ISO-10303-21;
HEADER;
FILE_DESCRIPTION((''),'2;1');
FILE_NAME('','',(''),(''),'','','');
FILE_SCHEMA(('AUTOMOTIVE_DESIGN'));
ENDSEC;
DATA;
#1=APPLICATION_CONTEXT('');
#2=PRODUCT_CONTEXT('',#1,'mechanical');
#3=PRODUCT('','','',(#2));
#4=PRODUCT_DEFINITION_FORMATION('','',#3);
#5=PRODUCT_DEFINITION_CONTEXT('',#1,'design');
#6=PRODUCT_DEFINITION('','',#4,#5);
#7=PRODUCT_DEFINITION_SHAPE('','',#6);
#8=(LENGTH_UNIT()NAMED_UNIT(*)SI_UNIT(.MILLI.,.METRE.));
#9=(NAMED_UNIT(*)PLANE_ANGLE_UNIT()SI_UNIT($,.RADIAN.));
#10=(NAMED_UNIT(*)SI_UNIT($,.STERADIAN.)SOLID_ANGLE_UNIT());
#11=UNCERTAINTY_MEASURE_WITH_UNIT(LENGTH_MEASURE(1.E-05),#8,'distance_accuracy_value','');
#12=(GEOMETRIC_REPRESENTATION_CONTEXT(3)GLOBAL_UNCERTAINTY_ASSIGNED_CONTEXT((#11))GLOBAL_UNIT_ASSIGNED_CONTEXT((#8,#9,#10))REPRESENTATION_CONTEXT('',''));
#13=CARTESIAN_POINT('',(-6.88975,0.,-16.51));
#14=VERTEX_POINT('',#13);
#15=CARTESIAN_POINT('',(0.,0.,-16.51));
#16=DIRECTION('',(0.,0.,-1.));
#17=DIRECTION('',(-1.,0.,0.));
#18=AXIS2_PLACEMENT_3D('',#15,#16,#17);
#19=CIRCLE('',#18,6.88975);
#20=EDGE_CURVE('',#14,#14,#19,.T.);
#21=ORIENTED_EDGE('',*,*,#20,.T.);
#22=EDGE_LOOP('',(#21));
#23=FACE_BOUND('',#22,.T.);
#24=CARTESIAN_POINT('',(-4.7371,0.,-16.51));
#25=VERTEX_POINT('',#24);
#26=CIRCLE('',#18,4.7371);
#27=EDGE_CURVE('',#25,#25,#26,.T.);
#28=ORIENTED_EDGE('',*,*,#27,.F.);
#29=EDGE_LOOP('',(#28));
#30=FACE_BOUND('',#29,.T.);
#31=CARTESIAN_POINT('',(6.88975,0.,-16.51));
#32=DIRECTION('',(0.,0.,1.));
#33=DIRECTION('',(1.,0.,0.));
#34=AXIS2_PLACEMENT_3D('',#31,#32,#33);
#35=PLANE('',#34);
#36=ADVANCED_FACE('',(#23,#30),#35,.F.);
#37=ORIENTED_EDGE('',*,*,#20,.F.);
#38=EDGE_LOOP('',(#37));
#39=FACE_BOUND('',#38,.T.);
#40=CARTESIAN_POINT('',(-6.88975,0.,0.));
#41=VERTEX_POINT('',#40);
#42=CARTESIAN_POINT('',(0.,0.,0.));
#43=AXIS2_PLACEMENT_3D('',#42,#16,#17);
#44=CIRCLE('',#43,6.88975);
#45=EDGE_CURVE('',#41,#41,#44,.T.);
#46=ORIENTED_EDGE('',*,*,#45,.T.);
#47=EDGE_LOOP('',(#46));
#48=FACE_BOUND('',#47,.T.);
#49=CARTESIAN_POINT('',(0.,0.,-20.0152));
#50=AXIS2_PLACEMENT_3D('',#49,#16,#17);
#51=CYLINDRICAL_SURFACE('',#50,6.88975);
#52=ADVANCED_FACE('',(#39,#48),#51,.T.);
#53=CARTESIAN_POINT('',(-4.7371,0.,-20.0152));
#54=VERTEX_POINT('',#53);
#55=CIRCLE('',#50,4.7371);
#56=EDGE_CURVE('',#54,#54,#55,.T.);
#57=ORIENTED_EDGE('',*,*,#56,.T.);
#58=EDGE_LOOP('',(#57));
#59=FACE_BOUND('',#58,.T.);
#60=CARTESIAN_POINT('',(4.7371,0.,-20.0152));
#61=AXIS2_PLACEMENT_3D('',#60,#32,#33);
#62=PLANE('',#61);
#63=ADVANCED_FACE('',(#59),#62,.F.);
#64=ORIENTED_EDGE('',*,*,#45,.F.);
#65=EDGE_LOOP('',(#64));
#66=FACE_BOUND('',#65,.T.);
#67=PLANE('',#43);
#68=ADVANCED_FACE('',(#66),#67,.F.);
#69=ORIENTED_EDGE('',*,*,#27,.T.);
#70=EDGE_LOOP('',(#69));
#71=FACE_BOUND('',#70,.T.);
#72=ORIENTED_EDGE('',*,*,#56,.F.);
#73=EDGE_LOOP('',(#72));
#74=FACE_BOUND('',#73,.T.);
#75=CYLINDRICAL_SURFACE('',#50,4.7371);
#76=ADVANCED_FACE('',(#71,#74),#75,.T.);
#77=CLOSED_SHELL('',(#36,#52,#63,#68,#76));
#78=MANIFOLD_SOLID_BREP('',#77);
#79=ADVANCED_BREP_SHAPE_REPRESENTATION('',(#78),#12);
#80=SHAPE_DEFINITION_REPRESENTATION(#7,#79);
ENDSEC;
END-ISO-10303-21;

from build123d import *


with BuildPart() as part:
    # Sketch1 → Revolve1 (revolve)
    with BuildSketch(Plane(origin=(0, 0, 0), x_dir=(1, 0, 0), z_dir=(0, 1, 0)), mode=Mode.PRIVATE) as revolve1_sk:
        Polygon((0, 0), (6.88975, 0), (6.88975, 16.51), (4.7371, 16.51), (4.7371, 20.0152), (0, 20.0152), align=None)
    revolve(revolve1_sk.sketch.rotate(Axis((0, 0, -20.0152), (0, 0, 1)), 180), axis=Axis((0, 0, -20.0152), (0, 0, 1)))


solid = part.part
